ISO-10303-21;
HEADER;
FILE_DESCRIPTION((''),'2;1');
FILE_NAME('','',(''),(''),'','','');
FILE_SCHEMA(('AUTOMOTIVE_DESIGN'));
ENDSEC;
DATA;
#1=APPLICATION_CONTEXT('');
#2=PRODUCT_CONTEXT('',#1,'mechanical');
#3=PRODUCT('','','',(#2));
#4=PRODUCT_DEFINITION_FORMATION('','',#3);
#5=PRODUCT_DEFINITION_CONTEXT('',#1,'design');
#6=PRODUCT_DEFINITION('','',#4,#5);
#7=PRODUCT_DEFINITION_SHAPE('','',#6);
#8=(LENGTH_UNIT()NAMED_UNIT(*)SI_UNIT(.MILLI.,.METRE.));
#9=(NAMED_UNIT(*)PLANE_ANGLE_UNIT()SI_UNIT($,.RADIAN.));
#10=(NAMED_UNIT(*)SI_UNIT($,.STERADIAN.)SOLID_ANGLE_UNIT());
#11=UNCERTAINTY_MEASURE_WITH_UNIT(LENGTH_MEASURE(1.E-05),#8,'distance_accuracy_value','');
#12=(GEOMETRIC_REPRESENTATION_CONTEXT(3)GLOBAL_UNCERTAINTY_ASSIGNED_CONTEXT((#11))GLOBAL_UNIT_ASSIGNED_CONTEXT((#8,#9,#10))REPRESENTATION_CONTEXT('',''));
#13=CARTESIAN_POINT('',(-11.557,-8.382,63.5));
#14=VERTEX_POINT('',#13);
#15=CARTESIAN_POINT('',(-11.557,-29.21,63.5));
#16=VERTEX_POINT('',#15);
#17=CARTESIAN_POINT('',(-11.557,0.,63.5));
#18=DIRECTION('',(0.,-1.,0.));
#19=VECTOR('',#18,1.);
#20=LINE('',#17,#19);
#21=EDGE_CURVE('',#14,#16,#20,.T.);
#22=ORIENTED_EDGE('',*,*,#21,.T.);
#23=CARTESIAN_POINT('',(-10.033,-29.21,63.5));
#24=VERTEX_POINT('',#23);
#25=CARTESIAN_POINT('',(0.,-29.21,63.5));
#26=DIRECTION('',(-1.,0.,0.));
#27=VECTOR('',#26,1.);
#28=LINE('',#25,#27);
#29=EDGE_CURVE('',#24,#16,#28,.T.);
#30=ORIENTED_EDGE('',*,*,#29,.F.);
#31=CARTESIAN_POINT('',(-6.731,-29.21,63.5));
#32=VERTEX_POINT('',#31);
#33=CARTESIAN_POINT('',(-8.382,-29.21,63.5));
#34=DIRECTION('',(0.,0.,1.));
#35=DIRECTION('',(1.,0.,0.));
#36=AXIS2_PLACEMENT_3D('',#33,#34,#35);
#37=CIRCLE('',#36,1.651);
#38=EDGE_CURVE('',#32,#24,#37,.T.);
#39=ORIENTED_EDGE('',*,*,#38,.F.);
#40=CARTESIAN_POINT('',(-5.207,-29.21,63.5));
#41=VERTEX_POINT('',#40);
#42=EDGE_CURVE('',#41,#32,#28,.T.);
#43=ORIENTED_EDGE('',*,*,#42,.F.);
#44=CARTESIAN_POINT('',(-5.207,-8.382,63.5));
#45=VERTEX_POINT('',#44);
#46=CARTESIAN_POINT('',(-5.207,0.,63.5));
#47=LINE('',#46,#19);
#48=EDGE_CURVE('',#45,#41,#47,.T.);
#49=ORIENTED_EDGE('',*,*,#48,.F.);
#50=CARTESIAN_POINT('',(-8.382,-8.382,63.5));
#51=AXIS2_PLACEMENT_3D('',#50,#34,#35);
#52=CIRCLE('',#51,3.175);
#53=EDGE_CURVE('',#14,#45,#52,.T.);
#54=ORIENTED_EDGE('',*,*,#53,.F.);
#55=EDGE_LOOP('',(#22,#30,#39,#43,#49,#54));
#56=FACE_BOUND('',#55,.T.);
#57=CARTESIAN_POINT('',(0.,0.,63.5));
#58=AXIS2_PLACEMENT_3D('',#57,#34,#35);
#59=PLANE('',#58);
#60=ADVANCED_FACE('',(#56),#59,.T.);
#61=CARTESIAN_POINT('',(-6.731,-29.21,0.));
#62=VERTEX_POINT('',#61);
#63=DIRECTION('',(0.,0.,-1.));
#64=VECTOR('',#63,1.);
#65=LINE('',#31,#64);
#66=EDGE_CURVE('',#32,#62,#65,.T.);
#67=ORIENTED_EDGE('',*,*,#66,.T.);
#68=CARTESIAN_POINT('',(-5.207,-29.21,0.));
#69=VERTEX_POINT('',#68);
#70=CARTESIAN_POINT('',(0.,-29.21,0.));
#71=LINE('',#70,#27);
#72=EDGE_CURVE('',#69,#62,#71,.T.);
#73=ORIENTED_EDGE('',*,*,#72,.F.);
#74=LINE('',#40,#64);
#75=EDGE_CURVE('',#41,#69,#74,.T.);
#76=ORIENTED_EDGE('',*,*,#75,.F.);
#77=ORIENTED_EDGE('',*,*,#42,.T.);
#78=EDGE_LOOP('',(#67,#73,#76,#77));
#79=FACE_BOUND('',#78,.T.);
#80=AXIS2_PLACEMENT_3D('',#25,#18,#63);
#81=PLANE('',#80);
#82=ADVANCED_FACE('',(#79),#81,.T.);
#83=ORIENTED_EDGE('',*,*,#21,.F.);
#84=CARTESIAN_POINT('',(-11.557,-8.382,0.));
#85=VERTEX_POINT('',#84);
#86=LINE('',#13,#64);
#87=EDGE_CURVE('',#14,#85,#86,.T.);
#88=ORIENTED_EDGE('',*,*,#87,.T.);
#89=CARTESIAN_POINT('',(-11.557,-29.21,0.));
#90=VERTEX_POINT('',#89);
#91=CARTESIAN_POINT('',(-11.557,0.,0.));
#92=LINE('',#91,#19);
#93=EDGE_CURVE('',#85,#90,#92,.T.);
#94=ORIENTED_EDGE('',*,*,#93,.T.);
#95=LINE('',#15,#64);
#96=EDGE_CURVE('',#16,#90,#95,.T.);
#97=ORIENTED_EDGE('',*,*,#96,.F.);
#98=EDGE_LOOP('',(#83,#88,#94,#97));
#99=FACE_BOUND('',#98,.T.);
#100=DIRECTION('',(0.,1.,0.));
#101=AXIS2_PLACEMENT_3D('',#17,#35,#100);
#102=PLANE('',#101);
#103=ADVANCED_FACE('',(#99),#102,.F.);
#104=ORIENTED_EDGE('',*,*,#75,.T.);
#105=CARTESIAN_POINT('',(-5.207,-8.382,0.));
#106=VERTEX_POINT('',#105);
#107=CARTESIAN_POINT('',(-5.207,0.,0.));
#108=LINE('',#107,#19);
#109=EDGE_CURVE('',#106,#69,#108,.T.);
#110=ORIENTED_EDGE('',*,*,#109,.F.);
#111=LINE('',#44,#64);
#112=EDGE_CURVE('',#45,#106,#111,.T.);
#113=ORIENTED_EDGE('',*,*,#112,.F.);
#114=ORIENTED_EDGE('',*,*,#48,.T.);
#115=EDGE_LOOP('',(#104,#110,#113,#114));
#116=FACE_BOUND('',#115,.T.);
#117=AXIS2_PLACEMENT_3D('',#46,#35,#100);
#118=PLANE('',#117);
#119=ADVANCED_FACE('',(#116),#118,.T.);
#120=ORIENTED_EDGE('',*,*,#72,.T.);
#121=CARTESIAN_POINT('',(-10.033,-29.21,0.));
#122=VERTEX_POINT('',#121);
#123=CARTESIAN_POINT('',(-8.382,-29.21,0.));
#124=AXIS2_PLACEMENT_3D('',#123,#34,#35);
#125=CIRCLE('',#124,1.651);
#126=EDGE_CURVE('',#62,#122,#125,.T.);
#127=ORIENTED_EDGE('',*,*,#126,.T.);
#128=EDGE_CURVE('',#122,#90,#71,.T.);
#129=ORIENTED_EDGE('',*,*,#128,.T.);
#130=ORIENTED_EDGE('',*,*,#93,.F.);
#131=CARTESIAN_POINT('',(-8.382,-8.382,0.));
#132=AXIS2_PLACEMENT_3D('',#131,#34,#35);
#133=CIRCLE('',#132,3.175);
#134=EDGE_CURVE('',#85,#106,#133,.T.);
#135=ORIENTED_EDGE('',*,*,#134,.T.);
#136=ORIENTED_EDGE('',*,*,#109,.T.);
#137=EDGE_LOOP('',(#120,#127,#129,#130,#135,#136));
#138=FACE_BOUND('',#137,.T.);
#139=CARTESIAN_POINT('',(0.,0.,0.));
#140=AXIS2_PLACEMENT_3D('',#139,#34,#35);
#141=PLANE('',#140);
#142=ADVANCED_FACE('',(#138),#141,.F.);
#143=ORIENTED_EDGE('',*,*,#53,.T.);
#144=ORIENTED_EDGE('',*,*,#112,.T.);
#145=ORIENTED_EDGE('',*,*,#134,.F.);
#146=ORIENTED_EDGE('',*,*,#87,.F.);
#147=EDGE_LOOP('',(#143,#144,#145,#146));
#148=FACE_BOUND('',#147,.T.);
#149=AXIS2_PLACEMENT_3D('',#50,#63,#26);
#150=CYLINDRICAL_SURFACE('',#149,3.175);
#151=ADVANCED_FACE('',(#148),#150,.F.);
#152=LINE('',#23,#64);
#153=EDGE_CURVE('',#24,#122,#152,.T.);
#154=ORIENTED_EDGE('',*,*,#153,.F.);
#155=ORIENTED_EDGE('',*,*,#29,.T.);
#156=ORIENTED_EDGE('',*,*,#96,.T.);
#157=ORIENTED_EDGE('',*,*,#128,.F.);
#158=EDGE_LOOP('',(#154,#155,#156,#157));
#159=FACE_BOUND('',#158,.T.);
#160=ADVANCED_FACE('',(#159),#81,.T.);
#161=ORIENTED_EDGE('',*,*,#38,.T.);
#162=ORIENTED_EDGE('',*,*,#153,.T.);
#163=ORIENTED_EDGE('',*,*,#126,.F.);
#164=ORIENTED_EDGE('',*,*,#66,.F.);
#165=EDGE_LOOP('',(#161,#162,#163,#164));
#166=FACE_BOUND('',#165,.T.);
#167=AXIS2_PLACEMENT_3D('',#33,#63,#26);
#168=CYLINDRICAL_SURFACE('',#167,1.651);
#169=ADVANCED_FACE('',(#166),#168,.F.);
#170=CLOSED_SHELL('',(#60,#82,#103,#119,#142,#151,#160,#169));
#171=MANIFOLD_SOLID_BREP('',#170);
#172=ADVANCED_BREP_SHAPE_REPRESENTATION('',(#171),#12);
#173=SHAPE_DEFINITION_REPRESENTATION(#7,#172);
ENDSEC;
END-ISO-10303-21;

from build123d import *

# Parameters (mm, degrees)
BOSS_EXTRUDE4_DEPTH = 63.5


with BuildPart() as part:
    # Sketch1 → Boss-Extrude4 (new body)
    with BuildSketch(Plane.XY):
        with BuildLine():
            Line((-5.207, -29.21), (-5.207, -8.382))
            ThreePointArc((-5.207, -8.382), (-8.382, -11.557), (-11.557, -8.382))
            Line((-11.557, -8.382), (-11.557, -29.21))
            Line((-11.557, -29.21), (-10.033, -29.21))
            ThreePointArc((-10.033, -29.21), (-8.382, -27.559), (-6.731, -29.21))
            Line((-6.731, -29.21), (-5.207, -29.21))
        make_face()
    extrude(amount=BOSS_EXTRUDE4_DEPTH)


solid = part.part
